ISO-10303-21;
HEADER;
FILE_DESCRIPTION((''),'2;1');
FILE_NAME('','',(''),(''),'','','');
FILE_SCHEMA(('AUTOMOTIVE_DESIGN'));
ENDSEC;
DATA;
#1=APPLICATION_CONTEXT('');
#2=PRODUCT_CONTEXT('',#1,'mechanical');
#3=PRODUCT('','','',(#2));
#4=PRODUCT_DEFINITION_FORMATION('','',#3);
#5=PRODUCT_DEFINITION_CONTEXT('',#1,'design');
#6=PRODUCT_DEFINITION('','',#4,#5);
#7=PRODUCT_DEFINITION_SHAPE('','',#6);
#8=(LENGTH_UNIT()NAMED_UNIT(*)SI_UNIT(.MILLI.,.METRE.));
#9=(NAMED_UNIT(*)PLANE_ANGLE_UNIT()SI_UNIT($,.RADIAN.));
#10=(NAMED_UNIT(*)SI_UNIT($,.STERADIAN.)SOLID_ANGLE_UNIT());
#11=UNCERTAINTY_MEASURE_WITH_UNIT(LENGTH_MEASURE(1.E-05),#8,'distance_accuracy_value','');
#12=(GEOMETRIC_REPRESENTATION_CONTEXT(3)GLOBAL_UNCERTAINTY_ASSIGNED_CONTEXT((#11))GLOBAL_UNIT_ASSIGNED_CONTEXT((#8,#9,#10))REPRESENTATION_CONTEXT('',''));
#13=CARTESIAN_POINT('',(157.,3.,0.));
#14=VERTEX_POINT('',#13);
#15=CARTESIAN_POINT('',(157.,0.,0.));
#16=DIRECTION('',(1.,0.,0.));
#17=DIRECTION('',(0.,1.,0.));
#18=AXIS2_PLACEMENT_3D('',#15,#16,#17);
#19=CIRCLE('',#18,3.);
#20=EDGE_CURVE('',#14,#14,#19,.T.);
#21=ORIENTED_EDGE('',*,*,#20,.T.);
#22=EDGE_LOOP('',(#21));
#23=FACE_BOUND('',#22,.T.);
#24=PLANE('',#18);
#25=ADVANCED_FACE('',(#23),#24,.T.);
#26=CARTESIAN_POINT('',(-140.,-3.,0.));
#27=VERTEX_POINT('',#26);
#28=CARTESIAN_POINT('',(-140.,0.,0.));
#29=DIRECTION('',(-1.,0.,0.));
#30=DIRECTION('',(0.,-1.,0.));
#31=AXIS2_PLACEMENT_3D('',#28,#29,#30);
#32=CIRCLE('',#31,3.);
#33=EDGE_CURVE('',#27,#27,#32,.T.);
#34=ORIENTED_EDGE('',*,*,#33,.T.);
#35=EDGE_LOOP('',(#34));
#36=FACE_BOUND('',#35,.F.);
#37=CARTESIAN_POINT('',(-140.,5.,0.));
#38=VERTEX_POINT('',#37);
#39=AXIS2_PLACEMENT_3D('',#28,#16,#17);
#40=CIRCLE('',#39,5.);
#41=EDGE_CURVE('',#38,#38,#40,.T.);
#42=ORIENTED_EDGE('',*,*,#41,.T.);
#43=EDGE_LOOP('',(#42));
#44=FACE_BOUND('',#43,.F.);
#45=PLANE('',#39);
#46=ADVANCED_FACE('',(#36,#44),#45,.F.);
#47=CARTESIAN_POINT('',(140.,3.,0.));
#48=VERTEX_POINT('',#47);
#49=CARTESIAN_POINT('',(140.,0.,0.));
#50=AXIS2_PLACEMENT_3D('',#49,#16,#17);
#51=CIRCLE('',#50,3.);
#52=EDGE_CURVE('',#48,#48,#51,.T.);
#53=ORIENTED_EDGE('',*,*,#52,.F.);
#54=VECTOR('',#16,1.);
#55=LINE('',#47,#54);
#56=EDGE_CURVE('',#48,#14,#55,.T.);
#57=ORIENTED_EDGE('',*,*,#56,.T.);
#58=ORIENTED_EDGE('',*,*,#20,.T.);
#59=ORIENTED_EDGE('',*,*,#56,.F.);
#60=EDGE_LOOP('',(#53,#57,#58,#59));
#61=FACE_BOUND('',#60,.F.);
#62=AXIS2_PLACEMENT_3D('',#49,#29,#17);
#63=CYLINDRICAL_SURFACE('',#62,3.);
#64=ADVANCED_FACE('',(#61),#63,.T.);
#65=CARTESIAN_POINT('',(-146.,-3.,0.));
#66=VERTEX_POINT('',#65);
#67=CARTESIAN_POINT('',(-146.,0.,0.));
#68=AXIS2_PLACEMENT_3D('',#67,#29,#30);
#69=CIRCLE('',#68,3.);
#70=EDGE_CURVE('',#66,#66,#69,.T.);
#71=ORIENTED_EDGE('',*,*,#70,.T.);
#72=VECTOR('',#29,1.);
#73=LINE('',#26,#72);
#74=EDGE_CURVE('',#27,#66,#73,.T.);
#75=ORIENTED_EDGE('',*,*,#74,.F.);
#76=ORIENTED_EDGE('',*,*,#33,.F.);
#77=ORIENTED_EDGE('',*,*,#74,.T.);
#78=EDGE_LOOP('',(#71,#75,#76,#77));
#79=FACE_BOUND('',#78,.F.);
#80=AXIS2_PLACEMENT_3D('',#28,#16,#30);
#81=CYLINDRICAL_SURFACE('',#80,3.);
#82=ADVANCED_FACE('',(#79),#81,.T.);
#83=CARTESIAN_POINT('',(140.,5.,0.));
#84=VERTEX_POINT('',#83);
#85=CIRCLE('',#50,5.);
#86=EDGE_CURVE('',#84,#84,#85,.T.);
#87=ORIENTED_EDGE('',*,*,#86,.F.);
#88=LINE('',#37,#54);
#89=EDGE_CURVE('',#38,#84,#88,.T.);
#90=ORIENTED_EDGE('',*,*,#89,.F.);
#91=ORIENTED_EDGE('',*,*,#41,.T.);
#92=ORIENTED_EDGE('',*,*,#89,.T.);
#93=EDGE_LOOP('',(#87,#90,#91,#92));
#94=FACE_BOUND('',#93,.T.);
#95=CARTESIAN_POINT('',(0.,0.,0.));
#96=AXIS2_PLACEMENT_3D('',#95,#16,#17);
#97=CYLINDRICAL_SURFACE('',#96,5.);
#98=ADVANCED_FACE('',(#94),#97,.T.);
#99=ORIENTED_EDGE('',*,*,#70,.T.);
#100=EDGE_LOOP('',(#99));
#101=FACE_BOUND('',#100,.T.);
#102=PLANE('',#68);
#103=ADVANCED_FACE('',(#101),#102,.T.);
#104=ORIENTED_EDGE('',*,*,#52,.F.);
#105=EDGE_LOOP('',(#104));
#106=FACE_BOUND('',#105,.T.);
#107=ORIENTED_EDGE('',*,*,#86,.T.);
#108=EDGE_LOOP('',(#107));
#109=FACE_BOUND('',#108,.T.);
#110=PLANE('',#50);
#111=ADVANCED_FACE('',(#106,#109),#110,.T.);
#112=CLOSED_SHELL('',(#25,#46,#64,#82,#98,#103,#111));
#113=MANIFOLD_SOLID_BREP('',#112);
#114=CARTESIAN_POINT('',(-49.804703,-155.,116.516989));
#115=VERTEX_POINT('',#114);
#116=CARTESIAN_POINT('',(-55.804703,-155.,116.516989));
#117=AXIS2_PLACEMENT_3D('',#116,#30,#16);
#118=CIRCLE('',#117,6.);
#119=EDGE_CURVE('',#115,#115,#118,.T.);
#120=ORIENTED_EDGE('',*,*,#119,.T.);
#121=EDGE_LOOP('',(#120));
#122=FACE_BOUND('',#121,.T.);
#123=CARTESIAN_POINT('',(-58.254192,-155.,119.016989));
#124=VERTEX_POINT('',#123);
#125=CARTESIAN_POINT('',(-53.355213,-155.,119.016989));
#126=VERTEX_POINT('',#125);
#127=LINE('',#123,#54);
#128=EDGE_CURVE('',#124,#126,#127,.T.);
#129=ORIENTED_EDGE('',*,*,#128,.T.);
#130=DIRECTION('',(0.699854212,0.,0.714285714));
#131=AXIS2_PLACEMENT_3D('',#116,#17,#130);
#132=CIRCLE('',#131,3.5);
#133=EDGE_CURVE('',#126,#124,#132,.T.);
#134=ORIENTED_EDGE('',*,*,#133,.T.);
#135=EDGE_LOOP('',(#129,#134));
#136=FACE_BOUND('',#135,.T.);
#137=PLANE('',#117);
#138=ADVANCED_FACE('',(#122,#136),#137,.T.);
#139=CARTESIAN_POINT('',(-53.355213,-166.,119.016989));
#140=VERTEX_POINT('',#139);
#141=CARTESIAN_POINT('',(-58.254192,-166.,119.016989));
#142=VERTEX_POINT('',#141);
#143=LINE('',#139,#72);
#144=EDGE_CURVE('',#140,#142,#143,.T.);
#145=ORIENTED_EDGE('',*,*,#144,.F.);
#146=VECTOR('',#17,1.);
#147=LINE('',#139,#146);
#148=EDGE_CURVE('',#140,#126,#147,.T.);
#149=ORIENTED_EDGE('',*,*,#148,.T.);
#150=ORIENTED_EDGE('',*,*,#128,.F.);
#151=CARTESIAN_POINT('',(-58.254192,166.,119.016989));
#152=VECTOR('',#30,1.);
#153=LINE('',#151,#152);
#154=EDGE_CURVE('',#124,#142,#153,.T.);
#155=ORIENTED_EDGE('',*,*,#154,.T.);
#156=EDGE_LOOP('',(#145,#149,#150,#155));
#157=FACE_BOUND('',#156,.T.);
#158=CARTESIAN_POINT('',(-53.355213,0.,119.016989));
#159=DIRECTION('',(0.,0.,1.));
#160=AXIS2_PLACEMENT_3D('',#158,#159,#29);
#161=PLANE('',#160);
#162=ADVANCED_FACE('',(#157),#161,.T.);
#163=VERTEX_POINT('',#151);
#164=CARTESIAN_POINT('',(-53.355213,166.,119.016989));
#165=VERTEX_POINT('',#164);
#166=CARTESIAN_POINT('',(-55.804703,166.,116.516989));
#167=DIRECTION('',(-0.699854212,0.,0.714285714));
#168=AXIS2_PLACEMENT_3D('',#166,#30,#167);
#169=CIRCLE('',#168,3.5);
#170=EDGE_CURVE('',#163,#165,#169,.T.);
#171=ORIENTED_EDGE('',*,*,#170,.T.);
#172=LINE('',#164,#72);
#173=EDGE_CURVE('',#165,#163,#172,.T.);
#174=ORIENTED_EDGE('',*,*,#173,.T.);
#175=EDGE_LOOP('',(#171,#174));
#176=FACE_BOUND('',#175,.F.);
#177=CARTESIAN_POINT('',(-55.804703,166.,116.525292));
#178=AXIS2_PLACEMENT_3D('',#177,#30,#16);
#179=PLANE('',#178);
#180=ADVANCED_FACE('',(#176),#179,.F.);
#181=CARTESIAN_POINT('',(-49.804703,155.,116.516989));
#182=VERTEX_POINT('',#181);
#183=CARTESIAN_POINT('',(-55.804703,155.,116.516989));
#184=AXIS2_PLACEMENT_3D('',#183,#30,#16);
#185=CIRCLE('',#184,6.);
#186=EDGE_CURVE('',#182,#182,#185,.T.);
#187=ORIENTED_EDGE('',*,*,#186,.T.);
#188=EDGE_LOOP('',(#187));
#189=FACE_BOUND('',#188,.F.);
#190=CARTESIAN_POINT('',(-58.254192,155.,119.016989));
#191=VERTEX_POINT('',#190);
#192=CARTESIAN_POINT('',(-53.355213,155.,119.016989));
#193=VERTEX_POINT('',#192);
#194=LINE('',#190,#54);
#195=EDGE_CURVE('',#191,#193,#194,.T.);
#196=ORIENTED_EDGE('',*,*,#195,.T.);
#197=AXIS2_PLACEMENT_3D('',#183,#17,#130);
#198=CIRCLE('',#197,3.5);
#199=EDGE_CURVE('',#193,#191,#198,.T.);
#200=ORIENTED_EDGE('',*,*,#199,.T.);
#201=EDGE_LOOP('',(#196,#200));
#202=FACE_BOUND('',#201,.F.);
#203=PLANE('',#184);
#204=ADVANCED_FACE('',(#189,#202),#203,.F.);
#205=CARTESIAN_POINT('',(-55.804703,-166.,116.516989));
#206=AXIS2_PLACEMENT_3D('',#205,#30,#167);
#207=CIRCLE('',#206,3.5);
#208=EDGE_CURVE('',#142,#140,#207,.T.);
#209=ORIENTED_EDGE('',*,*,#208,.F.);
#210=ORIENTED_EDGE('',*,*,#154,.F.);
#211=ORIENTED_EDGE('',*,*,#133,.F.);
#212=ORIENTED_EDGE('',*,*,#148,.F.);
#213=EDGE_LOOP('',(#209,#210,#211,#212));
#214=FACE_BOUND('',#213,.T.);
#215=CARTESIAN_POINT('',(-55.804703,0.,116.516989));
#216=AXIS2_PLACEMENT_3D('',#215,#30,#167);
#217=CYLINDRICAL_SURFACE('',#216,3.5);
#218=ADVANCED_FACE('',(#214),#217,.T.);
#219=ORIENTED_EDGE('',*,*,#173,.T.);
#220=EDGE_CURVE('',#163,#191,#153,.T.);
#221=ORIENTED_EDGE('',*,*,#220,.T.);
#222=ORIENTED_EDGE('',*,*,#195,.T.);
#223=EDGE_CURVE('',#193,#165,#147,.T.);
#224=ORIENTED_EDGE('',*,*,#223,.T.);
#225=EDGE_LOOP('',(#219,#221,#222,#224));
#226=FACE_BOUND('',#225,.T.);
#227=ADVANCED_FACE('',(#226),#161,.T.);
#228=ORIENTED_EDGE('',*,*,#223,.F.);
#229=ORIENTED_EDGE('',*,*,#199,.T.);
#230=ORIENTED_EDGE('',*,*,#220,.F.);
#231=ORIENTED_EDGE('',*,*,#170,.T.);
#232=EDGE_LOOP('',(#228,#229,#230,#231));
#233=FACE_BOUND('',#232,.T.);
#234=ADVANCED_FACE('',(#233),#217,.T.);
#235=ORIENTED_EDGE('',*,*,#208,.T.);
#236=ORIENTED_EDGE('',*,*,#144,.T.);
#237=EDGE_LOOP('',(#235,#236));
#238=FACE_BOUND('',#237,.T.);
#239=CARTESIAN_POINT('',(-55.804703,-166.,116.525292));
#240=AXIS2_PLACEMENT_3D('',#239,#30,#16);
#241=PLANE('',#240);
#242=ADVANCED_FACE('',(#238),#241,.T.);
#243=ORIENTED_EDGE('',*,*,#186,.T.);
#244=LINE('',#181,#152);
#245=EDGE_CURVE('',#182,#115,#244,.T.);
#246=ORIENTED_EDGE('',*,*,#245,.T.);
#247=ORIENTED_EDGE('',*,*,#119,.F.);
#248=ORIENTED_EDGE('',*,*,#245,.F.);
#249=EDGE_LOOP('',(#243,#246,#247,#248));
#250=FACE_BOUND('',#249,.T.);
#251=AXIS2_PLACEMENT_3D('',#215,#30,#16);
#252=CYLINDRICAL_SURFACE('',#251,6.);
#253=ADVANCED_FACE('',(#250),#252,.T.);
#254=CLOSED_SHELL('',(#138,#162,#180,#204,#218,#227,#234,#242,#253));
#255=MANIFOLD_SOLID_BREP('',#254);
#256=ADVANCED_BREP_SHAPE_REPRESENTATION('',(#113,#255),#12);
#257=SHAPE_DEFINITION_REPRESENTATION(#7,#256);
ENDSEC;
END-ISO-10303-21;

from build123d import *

# Parameters (mm, degrees)
F0_R     = 5
F1_DEPTH = 140
F2_R     = 3
F3_DEPTH = 17
F4_R     = 3
F5_DEPTH = 6
F7_DEPTH = 166
F6_R     = 6
F8_DEPTH = 155


with BuildPart() as f1:
    # F0 (on Right) → F1 (new body, symmetric)
    with BuildSketch(Plane.YZ):
        Circle(F0_R)
    extrude(amount=F1_DEPTH, both=True)

    # F2 (on face) → F3 (join)
    with BuildSketch(Plane.YZ.offset(140)):
        Circle(F2_R)
    extrude(amount=F3_DEPTH)

    # F4 (on face) → F5 (join)
    with BuildSketch(Plane(origin=(-140, 0, 0), x_dir=(0, -1, 0), z_dir=(-1, 0, 0))):
        Circle(F4_R)
    extrude(amount=F5_DEPTH)


with BuildPart() as f7:
    # F6 (on Front) → F7 (new body, symmetric)
    with BuildSketch(Plane.XZ):
        with BuildLine():
            Line((-53.35521285, 119.0169885251), (-58.2541923356, 119.0169885251))
            ThreePointArc((-58.2541923356, 119.0169885251), (-55.8047025928, 113.0169885251), (-53.35521285, 119.0169885251))
        make_face()
    extrude(amount=F7_DEPTH, both=True)

    # F6 (on Front) → F8 (join, symmetric)
    with BuildSketch(Plane.XZ):
        with Locations((-55.8047025928, 116.5169885251)):
            Circle(F6_R)
        with BuildLine():
            ThreePointArc((-53.35521285, 119.0169885251), (-55.8047025928, 113.0169885251), (-58.2541923356, 119.0169885251))
            Line((-58.2541923356, 119.0169885251), (-53.35521285, 119.0169885251))
        make_face(mode=Mode.SUBTRACT)
    extrude(amount=F8_DEPTH, both=True)


solid = Compound([f1.part, f7.part])
